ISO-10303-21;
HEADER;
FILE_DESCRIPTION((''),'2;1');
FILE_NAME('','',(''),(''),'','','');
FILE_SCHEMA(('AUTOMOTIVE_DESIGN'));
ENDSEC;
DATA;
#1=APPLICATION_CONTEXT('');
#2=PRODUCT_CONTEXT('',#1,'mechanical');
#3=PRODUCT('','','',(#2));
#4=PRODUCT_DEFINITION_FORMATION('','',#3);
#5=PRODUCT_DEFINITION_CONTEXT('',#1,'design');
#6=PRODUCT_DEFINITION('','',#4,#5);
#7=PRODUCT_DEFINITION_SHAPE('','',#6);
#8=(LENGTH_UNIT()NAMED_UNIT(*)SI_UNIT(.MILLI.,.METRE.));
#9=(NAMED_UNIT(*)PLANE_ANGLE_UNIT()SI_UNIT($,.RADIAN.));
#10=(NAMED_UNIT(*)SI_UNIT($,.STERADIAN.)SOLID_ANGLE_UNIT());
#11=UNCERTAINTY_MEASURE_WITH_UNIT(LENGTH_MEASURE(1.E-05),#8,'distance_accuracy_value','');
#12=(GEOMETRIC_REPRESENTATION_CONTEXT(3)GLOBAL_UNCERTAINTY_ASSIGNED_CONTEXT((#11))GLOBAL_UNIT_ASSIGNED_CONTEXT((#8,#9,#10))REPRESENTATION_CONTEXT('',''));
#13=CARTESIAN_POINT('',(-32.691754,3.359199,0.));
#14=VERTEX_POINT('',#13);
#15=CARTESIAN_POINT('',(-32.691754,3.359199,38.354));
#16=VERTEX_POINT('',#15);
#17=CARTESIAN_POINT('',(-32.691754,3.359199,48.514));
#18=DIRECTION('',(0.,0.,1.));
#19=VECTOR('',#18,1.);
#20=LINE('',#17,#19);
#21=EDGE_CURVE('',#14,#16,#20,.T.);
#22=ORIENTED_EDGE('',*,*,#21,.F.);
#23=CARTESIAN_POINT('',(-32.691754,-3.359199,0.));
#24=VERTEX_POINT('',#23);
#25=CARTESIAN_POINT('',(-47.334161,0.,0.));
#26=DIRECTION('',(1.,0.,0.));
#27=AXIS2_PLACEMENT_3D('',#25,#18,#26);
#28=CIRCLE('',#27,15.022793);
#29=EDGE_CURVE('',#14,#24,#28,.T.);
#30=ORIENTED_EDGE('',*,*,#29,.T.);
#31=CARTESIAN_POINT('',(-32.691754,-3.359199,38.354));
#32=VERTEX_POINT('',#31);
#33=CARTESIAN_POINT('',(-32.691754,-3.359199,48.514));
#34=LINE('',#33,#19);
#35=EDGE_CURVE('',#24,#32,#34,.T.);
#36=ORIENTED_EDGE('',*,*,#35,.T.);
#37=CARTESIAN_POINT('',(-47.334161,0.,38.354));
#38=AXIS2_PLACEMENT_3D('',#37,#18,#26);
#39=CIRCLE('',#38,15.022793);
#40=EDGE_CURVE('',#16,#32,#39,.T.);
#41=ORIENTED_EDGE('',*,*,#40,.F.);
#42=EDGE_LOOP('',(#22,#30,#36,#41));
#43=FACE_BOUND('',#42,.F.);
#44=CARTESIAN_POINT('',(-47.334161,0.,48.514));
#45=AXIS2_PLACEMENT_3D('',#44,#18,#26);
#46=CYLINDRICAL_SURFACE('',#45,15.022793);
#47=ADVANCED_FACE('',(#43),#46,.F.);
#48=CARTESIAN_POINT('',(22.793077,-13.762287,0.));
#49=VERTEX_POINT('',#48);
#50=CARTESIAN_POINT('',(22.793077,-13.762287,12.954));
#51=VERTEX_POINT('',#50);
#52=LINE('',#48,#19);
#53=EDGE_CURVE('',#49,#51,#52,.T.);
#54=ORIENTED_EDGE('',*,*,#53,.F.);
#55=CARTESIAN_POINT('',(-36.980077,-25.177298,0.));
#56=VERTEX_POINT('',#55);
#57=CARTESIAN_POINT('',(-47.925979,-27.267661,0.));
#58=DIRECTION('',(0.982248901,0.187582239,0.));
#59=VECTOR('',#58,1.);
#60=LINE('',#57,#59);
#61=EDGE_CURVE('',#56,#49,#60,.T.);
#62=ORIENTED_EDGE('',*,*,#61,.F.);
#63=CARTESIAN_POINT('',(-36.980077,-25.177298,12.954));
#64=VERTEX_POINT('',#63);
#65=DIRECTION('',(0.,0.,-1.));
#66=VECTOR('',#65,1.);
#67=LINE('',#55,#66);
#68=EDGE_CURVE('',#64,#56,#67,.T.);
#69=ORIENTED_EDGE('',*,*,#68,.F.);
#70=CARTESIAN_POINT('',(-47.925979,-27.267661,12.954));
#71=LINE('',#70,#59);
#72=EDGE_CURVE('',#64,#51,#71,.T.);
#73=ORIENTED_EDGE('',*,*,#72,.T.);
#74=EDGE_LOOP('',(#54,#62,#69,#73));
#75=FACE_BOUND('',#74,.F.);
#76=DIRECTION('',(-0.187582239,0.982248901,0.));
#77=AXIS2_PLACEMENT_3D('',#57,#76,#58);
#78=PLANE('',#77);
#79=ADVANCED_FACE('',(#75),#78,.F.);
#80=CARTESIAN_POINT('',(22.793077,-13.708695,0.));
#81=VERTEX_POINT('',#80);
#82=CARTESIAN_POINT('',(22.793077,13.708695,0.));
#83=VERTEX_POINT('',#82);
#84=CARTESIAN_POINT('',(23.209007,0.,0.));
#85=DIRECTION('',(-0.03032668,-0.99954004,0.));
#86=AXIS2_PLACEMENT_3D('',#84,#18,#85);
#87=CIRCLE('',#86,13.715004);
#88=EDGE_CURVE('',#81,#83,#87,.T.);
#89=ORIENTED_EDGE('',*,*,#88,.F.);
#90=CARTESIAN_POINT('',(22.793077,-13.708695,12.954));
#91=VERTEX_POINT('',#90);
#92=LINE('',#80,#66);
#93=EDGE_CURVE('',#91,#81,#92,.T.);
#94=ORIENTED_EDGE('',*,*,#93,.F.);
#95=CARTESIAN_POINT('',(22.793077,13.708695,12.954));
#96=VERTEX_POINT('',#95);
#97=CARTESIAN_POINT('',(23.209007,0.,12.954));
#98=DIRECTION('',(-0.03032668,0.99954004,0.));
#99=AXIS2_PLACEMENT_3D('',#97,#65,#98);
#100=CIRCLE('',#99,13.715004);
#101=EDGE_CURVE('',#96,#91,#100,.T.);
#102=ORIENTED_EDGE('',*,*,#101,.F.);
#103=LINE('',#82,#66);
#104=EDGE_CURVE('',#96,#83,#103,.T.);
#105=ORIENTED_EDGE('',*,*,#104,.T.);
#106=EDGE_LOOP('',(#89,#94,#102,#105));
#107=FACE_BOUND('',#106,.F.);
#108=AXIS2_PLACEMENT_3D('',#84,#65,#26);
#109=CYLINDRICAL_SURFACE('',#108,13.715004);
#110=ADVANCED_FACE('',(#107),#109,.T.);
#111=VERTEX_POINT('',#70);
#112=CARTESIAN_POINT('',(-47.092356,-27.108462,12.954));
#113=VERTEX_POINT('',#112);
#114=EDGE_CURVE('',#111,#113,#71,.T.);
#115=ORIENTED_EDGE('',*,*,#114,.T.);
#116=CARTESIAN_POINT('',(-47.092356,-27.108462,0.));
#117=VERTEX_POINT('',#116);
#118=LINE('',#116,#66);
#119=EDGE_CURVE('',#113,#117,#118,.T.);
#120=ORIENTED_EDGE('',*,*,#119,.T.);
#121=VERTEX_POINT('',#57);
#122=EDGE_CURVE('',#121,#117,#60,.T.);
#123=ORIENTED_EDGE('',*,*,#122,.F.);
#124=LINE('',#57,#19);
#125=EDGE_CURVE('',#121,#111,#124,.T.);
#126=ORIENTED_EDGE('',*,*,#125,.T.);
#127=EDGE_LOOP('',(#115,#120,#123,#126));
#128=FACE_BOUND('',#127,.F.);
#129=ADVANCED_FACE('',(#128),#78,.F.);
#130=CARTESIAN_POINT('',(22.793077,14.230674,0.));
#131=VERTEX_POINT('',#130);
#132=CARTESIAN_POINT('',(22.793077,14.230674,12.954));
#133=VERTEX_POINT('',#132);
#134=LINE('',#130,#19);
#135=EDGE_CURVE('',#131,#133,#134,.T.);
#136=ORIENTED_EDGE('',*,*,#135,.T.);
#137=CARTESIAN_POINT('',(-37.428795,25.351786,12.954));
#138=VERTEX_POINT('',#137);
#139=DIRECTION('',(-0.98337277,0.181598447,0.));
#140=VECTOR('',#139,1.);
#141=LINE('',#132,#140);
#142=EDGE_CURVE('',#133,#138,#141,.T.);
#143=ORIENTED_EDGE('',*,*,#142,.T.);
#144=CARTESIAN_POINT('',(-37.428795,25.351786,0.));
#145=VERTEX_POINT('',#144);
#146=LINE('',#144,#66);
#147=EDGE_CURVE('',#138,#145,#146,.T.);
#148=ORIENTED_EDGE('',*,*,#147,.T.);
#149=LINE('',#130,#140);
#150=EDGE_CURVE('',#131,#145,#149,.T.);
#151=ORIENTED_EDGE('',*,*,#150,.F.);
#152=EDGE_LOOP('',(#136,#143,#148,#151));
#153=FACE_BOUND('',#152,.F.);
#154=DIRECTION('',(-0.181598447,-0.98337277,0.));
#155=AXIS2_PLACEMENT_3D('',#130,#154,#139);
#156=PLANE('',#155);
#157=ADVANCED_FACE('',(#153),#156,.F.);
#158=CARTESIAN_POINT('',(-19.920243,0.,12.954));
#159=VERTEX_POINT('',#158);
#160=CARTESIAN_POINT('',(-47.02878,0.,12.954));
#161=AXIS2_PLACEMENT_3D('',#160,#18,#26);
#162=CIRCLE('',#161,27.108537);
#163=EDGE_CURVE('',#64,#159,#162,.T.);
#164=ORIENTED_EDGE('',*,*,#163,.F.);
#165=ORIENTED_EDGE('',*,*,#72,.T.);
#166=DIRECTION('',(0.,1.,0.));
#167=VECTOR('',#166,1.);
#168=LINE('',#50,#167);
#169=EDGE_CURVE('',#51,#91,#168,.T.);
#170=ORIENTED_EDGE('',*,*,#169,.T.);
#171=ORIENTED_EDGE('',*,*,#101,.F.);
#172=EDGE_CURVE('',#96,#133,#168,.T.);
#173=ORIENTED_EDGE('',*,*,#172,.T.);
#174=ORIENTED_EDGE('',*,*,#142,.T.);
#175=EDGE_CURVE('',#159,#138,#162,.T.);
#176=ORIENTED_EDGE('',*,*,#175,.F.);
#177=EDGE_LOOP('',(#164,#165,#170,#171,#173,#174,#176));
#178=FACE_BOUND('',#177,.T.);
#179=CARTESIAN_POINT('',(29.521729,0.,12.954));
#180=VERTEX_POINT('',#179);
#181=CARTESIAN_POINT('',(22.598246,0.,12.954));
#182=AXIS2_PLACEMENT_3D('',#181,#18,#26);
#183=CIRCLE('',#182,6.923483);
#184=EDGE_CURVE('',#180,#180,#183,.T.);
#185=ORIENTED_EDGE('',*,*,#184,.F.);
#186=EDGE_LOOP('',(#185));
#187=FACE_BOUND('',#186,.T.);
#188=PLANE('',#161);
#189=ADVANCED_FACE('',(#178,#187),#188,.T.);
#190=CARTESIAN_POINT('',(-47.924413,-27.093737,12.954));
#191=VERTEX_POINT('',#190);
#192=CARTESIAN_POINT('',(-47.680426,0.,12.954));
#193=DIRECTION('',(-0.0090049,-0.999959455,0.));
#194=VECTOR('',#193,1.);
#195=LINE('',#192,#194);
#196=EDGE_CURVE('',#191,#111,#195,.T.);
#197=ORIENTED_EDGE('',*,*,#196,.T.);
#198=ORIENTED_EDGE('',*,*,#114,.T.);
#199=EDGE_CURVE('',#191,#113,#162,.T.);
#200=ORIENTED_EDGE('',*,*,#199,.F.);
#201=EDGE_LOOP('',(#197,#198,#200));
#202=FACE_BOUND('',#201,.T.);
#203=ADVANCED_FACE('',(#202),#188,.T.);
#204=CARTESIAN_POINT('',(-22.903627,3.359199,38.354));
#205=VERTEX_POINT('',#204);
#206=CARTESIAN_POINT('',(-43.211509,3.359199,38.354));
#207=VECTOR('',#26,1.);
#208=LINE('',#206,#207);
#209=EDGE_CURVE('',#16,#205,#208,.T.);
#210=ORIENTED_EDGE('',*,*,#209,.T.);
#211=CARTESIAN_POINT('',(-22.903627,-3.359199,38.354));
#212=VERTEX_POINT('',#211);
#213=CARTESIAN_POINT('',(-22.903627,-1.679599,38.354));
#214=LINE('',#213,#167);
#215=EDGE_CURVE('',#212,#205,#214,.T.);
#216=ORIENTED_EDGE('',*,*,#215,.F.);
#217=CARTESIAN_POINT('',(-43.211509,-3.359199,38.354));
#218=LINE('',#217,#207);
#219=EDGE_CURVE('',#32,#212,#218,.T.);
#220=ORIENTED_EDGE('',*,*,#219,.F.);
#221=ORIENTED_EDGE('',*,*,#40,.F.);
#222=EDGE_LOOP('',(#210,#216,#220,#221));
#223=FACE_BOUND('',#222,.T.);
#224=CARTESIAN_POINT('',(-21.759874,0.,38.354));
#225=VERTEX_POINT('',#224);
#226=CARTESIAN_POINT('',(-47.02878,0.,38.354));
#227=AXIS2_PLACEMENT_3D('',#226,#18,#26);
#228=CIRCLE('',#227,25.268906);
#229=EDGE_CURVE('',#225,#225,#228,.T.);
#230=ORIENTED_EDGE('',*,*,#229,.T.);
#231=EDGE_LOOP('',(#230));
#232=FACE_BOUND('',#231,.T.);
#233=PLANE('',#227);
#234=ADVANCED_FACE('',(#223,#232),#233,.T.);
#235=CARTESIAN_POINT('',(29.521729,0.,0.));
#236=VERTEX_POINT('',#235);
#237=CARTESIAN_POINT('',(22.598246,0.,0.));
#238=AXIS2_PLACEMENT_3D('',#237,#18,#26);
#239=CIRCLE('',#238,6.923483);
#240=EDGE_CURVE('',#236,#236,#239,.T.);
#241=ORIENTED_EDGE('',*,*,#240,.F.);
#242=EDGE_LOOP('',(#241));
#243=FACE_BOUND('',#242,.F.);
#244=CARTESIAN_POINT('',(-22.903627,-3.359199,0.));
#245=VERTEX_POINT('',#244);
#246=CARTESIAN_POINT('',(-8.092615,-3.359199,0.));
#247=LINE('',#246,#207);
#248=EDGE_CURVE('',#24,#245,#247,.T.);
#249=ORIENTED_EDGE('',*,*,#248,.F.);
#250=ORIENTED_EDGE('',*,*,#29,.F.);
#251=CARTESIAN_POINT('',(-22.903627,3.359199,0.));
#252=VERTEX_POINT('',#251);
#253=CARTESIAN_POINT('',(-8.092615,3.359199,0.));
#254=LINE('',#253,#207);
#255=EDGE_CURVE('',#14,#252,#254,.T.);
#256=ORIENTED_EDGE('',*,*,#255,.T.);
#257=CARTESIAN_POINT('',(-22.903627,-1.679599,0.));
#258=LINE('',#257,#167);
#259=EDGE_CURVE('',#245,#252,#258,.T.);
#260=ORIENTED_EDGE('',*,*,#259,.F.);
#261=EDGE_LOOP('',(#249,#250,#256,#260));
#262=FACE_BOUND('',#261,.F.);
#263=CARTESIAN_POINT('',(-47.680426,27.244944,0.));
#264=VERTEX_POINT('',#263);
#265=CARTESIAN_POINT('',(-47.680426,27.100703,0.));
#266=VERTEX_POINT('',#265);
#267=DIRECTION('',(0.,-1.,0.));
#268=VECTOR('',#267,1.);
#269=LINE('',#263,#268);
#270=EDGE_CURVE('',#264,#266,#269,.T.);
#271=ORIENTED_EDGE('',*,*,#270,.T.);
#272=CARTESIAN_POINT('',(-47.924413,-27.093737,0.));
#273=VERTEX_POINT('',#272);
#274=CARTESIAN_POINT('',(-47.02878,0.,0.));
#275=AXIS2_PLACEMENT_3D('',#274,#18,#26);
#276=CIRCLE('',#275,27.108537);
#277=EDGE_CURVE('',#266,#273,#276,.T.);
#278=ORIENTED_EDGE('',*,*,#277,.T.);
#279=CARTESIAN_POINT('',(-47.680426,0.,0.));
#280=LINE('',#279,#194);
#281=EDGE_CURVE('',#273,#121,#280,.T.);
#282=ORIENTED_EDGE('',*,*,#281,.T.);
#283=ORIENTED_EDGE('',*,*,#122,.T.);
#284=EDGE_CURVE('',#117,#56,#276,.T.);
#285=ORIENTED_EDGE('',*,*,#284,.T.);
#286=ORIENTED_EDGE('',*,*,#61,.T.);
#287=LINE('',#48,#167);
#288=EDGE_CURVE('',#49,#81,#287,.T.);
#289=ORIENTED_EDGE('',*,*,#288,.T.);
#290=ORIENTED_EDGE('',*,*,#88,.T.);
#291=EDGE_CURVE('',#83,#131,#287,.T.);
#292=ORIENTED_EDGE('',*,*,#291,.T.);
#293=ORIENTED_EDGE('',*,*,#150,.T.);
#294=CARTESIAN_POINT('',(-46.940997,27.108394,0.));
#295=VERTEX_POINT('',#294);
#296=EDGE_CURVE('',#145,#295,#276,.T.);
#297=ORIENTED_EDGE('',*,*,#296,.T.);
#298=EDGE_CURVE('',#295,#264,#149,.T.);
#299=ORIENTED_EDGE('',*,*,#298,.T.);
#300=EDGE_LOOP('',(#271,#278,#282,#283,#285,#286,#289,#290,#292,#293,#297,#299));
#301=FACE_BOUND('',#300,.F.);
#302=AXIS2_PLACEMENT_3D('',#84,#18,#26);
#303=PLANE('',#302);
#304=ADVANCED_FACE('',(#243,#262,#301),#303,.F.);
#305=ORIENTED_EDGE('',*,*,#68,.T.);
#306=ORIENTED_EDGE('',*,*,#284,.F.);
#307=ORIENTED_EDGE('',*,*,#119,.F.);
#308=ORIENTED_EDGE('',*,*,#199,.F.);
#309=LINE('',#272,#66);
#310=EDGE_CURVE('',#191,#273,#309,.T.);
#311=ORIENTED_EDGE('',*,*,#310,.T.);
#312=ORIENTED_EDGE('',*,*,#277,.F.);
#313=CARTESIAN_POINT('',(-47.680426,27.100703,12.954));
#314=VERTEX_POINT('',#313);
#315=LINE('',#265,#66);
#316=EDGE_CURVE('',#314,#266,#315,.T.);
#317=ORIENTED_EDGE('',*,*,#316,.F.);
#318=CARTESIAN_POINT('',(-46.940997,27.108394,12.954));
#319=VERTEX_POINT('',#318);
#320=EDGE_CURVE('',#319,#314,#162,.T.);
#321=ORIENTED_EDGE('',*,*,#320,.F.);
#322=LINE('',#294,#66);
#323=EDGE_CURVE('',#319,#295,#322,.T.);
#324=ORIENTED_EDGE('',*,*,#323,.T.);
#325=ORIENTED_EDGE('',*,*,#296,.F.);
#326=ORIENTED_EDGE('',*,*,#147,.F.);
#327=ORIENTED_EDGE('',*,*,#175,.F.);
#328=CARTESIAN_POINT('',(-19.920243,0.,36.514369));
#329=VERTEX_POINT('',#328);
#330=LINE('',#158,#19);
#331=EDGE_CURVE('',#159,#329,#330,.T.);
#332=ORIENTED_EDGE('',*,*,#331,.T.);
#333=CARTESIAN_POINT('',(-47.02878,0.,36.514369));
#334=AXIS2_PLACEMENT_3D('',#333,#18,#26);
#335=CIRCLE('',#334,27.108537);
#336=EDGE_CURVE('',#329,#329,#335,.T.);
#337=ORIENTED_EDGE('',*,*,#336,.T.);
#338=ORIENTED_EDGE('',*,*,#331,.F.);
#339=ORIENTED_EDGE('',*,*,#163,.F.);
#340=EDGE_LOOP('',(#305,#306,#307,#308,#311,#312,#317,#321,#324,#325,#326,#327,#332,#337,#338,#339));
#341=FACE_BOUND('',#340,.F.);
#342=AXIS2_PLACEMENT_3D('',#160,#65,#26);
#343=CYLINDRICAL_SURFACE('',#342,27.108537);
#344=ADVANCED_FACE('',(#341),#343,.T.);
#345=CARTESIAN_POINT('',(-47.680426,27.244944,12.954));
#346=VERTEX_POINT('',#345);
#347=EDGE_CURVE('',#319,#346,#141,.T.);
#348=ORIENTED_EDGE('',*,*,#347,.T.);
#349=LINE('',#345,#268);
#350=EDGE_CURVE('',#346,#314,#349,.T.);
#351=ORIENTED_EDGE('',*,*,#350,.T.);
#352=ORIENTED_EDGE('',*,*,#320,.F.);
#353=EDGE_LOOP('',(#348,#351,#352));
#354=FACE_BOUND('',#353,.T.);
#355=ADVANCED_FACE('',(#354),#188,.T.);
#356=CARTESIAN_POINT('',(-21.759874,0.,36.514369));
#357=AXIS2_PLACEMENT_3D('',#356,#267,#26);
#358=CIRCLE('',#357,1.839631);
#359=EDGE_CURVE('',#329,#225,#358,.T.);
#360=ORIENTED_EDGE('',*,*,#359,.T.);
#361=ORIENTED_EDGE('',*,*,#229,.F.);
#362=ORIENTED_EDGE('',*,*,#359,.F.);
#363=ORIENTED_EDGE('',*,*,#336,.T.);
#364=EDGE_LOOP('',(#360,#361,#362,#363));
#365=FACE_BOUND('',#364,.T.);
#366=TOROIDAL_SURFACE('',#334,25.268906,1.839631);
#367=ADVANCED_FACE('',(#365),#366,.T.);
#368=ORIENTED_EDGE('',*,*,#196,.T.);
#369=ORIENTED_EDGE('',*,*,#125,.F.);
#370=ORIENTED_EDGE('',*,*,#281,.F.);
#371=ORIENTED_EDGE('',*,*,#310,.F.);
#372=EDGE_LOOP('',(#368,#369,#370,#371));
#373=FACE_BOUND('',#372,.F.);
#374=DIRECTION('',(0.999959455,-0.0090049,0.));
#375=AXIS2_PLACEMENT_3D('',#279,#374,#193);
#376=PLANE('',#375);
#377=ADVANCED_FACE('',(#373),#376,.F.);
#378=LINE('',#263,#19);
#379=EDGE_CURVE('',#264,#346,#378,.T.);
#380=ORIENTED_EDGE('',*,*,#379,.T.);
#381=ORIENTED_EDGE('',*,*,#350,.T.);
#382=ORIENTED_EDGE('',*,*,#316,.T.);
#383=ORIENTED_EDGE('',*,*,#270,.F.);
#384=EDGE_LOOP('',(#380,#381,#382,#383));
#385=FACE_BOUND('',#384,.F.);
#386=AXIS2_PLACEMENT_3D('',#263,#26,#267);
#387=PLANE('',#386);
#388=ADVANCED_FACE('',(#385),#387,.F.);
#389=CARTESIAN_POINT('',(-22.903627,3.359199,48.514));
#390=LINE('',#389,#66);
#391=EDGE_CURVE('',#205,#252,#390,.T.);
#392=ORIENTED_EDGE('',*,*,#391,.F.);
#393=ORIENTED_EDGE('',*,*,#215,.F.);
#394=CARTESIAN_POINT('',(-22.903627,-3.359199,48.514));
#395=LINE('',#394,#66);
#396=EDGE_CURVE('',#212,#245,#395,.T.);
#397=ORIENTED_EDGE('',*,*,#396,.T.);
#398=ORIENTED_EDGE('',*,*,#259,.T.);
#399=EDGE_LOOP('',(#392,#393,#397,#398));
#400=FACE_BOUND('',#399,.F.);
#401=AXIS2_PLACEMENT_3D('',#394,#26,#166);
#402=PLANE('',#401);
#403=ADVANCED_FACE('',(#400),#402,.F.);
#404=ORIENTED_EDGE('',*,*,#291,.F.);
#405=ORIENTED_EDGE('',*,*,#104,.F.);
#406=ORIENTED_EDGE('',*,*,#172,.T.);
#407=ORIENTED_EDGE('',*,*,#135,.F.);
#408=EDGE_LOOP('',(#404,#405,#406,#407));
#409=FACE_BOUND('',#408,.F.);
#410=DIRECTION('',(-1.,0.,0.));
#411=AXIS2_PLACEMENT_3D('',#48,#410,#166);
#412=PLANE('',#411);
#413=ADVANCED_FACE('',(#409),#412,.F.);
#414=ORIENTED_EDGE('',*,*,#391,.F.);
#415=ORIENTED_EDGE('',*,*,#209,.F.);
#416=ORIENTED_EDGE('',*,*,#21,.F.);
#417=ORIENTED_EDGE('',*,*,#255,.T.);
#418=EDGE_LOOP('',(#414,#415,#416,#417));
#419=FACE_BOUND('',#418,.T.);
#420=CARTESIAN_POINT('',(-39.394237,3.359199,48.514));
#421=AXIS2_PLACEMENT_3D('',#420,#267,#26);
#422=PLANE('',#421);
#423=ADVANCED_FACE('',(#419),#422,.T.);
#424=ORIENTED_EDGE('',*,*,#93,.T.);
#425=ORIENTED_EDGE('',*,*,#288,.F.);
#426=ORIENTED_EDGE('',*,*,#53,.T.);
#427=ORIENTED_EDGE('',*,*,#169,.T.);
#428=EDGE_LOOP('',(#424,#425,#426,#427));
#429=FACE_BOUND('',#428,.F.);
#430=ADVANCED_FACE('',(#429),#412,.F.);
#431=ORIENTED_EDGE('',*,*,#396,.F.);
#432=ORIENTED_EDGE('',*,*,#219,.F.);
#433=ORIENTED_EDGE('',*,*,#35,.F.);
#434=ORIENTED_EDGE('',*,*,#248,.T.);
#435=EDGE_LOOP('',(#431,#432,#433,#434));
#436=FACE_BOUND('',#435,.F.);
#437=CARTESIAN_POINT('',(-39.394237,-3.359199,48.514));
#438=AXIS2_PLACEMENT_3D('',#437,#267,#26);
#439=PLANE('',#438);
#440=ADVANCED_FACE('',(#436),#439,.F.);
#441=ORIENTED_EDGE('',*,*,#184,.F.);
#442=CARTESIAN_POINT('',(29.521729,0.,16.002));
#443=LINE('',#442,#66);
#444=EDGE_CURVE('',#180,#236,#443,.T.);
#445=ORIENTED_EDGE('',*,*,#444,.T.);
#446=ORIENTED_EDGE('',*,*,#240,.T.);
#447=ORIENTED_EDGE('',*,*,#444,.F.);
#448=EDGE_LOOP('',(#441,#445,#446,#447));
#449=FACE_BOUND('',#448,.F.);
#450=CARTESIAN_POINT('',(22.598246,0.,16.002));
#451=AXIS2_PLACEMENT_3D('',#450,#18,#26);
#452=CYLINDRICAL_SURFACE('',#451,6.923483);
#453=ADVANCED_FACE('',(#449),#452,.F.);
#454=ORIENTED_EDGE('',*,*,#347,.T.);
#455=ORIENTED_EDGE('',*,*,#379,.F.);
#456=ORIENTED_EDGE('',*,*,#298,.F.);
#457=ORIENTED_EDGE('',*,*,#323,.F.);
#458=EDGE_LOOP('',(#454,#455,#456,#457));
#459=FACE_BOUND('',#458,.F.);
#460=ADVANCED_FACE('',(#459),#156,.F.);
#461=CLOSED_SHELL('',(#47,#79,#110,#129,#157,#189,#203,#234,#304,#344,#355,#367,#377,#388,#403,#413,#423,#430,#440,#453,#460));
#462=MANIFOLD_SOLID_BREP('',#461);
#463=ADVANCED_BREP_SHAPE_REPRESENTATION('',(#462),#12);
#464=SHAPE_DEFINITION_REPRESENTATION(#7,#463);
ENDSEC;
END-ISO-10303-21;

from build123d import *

# Parameters (mm, degrees)
F3_DEPTH  = 12.954
F1_R      = 13.7150037279
F0_R      = 27.1085366246
F4_DEPTH  = 25.4
F6_R      = 15.022792706
F7_W      = 16.4906103164
F7_H      = 6.7183971405
F8_DEPTH  = 56.134
F9_R      = 1.8396307345
F11_R     = 6.9234827164
F12_DEPTH = 40.894


with BuildPart() as f3:
    # F2 (on Top) → F3 (new body)
    with BuildSketch(Plane.XY):
        Polygon((-47.680426389, 27.2449441254), (-47.680426389, 0), (-47.925978899, -27.2676609457), (22.7930769324, -13.7622868642), (22.7930769324, 0), (22.7930769324, 14.2306741327), align=None)
    extrude(amount=F3_DEPTH)



with BuildPart() as f3b:
    # F1 (on Top) → F3, piece 2 (new body)
    with BuildSketch(Plane.XY):
        with Locations((23.2090074569, 0)):
            Circle(F1_R)
    extrude(amount=F3_DEPTH)


with BuildPart() as f3c:
    # F0 (on Top) → F3, piece 3 (new body)
    with BuildSketch(Plane.XY):
        with Locations((-47.0287799835, 0)):
            Circle(F0_R)
    extrude(amount=F3_DEPTH)


with BuildPart() as f3_1:
    add(f3.part)
    # F4 (add): a face of the model
    f4_faces = [f3c.part.faces().sort_by_distance(p)[0] for p in [
        (-47.0287799835, 0, 12.954),
    ]]

    add(f3b.part)  # F4 merges F3b

    add(f3c.part)  # F4 merges F3c
    extrude(f4_faces, amount=F4_DEPTH)

    # F6 (on offset) + F7 (on offset) → F8 (cut)
    with BuildSketch(Plane.XY.offset(48.514)):
        with Locations((-47.3341606557, 0)):
            Circle(F6_R)
    with BuildSketch(Plane.XY.offset(48.514)):
        with Locations((-31.1489319429, 0)):
            Rectangle(F7_W, F7_H)
    extrude(amount=-F8_DEPTH, mode=Mode.SUBTRACT)

    # F9
    f9_edges = [f3_1.edges().sort_by_distance(p)[0] for p in [
        (-74.137317, 0, 38.354),
    ]]
    fillet(f9_edges, radius=F9_R)

    # F11 (on offset) → F12 (cut)
    with BuildSketch(Plane.XY.offset(16.002)):
        with Locations((22.5982461125, 0)):
            Circle(F11_R)
    extrude(amount=-F12_DEPTH, mode=Mode.SUBTRACT)


solid = f3_1.part
